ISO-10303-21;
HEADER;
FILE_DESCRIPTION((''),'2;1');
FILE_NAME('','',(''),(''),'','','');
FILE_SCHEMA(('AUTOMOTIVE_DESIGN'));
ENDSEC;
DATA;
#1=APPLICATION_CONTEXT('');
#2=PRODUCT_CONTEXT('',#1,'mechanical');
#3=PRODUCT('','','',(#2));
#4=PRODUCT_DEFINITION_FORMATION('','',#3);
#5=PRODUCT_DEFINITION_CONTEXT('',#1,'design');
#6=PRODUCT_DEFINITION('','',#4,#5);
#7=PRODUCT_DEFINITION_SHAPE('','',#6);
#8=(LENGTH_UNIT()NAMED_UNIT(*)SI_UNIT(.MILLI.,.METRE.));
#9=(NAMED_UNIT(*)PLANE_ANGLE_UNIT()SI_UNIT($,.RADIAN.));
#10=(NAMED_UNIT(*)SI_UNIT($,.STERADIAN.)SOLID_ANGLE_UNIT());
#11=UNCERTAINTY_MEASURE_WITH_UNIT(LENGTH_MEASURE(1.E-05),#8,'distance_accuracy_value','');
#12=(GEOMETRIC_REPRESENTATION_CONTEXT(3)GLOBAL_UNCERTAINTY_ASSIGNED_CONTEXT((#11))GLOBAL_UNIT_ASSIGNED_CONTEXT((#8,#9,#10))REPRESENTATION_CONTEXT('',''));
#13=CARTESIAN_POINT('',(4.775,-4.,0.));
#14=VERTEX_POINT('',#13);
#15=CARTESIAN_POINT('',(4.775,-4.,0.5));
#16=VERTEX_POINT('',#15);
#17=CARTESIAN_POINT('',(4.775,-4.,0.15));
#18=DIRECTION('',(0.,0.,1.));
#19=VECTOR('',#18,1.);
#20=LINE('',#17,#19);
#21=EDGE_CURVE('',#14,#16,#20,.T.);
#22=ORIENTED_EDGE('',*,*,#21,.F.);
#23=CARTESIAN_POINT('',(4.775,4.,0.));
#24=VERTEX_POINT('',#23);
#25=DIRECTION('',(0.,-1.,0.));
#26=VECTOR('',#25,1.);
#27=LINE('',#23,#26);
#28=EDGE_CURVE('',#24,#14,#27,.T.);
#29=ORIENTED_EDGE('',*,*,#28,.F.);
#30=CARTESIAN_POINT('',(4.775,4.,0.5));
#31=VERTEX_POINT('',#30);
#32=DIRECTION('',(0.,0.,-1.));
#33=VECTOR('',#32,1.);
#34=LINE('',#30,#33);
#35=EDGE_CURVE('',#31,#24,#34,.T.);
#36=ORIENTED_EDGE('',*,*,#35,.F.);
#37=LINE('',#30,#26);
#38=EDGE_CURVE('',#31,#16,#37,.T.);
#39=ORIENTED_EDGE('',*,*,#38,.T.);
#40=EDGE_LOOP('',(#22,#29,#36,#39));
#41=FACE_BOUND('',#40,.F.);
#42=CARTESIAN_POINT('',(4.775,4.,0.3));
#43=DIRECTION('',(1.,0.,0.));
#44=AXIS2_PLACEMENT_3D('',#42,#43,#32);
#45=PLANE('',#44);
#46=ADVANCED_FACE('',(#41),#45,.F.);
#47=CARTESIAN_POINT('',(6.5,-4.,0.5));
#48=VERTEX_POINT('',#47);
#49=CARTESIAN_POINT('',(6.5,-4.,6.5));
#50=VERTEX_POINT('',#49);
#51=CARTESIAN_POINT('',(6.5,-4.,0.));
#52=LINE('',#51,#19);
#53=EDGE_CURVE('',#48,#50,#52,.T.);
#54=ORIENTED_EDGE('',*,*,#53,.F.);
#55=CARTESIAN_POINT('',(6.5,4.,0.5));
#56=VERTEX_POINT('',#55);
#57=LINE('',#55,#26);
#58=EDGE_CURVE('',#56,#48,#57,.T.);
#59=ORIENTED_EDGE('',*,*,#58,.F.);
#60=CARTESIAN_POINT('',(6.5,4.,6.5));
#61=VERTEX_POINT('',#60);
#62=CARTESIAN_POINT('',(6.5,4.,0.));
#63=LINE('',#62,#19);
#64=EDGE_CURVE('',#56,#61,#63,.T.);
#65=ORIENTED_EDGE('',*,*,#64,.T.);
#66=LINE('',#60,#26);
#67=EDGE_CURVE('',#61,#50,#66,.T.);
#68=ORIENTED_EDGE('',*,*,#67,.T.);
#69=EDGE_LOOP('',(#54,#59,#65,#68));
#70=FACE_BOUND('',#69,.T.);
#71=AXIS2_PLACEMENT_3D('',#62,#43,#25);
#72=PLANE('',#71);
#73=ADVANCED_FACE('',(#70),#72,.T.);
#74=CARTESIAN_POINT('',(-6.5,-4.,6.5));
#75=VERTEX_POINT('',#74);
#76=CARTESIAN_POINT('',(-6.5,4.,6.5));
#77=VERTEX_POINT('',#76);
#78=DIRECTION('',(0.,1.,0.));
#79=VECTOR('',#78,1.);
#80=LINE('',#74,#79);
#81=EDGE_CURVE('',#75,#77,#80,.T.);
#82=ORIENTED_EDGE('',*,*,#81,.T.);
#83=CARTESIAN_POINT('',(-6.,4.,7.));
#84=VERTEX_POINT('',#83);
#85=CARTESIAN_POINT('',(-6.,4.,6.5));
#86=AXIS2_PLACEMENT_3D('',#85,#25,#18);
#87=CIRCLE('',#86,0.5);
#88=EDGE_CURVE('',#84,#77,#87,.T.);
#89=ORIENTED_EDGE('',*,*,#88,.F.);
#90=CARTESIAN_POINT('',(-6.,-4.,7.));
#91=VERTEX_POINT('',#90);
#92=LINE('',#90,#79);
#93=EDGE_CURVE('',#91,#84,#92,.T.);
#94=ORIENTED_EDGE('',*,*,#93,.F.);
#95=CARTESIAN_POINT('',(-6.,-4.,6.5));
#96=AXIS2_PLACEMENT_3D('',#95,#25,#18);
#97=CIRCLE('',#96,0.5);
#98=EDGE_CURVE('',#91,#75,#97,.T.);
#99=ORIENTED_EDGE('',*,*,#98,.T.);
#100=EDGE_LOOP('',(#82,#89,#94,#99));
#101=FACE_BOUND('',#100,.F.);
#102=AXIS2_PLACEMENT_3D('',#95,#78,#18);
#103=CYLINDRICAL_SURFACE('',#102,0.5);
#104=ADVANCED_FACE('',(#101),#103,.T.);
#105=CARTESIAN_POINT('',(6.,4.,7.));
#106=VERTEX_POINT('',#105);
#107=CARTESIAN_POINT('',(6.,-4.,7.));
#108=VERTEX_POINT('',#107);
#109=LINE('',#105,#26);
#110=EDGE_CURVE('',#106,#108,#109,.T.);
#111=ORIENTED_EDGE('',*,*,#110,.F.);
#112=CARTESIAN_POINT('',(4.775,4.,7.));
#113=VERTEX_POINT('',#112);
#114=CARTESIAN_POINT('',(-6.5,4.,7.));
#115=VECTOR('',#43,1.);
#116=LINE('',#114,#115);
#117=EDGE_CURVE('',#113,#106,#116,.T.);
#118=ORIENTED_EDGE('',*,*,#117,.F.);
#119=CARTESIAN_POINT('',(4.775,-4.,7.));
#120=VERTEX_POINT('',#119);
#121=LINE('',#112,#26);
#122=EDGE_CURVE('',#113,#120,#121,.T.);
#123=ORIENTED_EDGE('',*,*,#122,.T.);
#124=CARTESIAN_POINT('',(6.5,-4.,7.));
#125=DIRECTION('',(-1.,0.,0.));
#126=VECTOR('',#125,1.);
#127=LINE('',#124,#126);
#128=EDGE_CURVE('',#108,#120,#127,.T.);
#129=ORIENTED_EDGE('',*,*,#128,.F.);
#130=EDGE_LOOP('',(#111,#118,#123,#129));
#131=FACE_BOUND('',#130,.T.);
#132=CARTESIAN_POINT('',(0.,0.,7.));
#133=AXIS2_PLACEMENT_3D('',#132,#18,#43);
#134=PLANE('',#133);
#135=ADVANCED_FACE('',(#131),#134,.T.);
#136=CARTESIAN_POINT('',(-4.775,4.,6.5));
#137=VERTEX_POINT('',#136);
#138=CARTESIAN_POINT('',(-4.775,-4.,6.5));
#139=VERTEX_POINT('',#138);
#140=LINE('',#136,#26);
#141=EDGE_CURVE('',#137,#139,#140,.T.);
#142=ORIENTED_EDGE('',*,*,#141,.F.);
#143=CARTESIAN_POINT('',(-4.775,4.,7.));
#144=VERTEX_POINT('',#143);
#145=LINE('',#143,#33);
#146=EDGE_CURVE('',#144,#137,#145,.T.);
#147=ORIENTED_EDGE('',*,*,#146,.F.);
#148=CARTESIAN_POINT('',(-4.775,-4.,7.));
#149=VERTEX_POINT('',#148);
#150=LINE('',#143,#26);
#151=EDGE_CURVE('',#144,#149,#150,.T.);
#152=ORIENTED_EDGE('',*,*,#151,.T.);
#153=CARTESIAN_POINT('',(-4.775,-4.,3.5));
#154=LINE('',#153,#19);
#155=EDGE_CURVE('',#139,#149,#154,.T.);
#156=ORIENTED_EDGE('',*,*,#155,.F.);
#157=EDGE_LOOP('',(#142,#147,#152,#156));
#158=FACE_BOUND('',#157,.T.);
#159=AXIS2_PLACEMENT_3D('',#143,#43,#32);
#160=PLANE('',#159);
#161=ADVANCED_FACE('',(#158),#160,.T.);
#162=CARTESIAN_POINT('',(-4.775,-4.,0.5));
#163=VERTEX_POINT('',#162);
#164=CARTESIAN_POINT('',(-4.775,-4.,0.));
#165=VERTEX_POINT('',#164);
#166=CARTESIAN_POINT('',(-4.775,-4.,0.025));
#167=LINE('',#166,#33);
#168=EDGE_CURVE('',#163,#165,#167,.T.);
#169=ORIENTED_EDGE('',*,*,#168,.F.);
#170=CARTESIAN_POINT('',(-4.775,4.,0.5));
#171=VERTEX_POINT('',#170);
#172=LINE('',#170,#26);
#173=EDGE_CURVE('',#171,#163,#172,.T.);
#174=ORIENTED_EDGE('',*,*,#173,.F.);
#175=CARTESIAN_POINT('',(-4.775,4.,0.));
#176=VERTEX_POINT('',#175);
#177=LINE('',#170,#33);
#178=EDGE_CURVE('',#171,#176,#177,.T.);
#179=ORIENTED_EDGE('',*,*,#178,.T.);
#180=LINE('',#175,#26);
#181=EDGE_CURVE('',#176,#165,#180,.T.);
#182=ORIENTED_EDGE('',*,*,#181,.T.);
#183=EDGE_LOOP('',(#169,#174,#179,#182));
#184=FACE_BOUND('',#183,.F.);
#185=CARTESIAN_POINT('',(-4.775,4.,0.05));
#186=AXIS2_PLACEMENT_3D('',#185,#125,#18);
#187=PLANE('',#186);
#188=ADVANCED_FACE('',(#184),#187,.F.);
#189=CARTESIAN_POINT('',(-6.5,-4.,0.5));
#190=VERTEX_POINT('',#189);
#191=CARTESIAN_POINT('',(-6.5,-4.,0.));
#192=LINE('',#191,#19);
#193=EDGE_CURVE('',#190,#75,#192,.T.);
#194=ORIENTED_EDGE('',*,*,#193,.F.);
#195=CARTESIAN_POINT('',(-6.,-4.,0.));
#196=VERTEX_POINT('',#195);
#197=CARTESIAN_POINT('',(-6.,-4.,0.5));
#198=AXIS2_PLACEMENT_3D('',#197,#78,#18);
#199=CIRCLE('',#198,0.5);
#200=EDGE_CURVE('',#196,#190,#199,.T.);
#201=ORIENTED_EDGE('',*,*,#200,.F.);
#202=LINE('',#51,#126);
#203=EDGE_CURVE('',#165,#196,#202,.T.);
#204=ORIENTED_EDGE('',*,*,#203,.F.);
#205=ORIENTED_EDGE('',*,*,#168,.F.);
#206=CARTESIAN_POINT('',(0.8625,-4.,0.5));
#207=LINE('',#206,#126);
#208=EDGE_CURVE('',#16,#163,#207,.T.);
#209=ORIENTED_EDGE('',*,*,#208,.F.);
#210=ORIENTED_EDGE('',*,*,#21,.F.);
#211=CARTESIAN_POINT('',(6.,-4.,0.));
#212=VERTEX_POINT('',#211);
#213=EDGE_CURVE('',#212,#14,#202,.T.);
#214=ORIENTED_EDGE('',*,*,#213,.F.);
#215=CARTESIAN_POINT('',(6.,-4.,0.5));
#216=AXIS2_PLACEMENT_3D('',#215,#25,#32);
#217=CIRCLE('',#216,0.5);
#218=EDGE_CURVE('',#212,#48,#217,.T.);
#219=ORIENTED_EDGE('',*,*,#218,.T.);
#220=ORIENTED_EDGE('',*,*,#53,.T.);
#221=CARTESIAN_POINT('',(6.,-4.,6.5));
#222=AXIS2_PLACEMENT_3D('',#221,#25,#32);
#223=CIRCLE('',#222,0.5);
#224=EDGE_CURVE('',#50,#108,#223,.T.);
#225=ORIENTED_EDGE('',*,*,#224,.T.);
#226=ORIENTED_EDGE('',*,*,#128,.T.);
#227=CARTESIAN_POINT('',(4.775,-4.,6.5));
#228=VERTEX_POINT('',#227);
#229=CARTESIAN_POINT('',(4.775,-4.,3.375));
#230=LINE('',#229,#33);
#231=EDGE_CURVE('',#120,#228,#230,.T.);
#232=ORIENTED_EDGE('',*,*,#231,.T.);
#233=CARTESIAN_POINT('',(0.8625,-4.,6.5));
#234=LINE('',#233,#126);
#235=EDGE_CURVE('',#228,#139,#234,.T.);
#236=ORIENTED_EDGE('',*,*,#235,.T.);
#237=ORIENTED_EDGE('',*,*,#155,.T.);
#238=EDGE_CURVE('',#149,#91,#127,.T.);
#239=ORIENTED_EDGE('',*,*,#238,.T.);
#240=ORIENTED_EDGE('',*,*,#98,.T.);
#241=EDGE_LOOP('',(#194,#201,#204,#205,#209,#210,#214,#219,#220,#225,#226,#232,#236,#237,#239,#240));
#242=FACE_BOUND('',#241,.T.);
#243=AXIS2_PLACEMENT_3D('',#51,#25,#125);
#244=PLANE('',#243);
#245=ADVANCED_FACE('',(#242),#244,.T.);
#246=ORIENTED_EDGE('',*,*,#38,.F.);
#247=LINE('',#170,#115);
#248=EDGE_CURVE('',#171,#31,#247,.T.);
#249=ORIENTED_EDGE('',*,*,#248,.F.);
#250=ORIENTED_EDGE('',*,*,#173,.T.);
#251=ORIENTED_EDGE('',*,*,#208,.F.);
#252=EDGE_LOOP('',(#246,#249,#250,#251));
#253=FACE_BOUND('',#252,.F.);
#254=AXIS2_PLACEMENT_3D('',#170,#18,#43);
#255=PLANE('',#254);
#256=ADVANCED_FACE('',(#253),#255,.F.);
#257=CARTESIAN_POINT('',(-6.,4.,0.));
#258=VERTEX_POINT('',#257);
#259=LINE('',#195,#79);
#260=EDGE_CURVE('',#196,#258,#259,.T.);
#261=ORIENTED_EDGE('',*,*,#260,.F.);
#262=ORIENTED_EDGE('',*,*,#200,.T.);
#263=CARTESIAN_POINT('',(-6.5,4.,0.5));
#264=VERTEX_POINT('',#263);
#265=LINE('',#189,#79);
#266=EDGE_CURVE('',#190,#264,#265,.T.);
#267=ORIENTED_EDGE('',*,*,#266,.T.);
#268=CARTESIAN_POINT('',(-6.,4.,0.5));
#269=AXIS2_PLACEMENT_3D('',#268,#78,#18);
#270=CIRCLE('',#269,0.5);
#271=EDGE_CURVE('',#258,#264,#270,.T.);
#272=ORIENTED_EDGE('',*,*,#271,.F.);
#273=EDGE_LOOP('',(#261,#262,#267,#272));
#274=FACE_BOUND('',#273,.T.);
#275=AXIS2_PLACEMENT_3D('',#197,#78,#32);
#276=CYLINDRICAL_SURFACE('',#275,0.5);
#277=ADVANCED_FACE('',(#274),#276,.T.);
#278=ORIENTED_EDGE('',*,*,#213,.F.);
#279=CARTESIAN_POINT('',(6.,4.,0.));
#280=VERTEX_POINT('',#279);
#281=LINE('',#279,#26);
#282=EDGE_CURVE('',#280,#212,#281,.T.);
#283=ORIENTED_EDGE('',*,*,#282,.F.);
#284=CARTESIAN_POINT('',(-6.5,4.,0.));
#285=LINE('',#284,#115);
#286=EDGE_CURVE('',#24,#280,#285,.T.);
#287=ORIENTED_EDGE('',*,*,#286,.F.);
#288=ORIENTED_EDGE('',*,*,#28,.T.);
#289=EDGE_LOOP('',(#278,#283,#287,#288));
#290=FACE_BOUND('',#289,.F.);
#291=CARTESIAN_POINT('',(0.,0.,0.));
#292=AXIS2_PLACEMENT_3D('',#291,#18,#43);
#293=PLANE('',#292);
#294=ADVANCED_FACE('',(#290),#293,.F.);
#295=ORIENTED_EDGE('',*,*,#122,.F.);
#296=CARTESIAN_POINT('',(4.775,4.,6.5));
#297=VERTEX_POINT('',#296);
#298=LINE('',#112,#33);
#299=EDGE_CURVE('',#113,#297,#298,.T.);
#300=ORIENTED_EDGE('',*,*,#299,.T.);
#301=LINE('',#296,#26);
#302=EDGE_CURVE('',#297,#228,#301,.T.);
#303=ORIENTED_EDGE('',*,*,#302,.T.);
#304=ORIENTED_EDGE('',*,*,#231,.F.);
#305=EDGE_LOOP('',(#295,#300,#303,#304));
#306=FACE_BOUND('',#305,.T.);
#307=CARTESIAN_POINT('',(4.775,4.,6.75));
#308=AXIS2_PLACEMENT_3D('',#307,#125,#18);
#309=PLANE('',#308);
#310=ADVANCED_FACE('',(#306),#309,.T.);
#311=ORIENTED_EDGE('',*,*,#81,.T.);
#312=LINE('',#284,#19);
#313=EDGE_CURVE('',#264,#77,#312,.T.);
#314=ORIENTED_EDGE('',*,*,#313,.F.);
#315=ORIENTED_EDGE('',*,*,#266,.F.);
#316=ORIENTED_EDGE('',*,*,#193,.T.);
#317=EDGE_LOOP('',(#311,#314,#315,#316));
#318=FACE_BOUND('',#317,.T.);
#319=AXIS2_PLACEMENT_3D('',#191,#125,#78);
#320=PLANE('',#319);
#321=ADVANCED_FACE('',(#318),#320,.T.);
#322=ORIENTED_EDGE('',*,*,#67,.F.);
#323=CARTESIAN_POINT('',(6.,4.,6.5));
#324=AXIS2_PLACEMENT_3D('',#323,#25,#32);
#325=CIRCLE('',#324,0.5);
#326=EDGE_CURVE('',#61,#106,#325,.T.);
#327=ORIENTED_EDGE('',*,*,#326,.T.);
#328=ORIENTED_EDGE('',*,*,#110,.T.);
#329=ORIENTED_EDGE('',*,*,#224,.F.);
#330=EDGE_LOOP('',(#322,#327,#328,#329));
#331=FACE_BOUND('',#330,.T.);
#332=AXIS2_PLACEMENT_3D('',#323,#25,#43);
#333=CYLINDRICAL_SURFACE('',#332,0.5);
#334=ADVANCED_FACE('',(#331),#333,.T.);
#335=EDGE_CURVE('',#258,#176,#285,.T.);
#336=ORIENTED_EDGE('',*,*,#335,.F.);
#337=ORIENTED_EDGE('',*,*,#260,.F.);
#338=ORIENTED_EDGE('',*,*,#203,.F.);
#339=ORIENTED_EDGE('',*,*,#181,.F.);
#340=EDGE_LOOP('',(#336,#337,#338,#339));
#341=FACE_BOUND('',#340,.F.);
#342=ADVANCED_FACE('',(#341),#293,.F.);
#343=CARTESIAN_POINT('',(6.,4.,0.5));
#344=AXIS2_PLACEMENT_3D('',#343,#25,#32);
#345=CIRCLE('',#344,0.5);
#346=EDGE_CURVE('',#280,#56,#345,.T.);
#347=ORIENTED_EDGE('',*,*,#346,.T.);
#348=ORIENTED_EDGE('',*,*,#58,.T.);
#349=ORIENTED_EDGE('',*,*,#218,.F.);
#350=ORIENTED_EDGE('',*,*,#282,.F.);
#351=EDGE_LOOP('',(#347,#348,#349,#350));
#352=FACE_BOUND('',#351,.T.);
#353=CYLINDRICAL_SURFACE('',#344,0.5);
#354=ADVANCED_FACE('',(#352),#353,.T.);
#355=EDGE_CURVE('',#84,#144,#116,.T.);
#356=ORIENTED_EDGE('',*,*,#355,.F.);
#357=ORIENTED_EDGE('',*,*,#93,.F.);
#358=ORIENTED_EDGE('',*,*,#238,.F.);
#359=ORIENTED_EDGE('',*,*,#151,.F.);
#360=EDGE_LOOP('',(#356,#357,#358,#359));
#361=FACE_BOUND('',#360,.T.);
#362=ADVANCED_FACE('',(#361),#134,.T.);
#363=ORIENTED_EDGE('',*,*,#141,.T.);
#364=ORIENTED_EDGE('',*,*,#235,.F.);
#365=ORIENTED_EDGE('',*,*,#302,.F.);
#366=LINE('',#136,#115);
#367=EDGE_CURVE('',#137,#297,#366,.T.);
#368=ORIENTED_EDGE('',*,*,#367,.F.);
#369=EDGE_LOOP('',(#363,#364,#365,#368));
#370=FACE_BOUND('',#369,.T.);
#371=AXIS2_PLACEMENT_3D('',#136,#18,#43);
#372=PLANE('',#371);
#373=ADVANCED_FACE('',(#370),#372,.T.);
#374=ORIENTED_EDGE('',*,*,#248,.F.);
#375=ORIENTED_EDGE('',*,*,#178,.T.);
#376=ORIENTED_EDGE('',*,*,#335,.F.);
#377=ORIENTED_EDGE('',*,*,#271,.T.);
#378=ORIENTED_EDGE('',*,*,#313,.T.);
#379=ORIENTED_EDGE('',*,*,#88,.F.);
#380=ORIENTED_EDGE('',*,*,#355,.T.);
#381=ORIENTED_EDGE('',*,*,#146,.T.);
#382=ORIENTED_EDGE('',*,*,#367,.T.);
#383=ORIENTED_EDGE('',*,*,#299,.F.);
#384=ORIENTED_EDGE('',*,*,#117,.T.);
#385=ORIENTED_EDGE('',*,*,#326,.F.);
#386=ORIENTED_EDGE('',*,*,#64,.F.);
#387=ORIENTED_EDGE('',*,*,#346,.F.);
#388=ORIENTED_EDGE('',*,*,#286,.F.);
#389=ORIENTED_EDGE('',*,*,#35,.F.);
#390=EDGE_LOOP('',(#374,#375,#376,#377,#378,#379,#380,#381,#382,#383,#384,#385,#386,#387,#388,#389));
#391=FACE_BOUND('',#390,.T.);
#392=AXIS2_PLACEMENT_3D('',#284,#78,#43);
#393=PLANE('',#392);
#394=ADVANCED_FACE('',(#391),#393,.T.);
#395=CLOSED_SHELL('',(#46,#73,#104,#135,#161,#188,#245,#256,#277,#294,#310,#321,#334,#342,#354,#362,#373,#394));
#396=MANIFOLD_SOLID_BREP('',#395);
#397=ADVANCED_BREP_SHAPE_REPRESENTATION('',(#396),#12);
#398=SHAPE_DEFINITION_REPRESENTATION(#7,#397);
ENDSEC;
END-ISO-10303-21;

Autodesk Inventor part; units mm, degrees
ref_plane "YZ Plane" through (0, 0, 0) normal (1, 0, 0) x (0, 1, 0)
ref_plane "XZ Plane" through (0, 0, 0) normal (0, 1, 0) x (-1, 0, 0)
ref_plane "XY Plane" through (0, 0, 0) normal (0, 0, 1) x (1, 0, 0)
sketch "Sketch1" plane through (0, 0, 0) normal (0, 0, 1) x (1, 0, 0)
  line L0 (-6.5, 4) -> (6.5, 4)
  line L1 (6.5, 4) -> (6.5, -4)
  line L2 (6.5, -4) -> (-6.5, -4)
  line L3 (-6.5, -4) -> (-6.5, 4)
  point P0 (0, 0)
  point P1 (-6.5, 0)
  point P2 (0, -4)
  dimension "d0" = 8
  dimension "d1" = 13
extrude "Extrusion1" add sketch "Sketch1" along normal blind 7
sketch "Sketch2" plane through (-6.5, 4, 0) normal (0, 1, 0) x (1, 0, 0)
  line L0 (0, -7) -> (13, -7) projected
  line L1 (0, 0) -> (13, 0) projected
  line L2 (11.275, -7) -> (1.725, -7)
  line L3 (1.725, -7) -> (1.725, -6.5)
  line L4 (1.725, -6.5) -> (11.275, -6.5)
  line L5 (11.275, -6.5) -> (11.275, -7)
  line L6 (11.275, 0) -> (1.725, 0)
  line L7 (1.725, 0) -> (1.725, -0.5)
  line L8 (1.725, -0.5) -> (11.275, -0.5)
  line L9 (11.275, -0.5) -> (11.275, 0)
  line L10 (1.725, -0.05) -> (11.275, -0.05) projected
  line L11 (1.725, -0.3) -> (1.725, -0.05) projected
  line L12 (0.5, -0.3) -> (1.725, -0.3) projected
  line L13 (0, -0.8) -> (0.5, -0.3) projected
  line L14 (0, -6.2) -> (0, -0.8) projected
  line L15 (0.5, -6.7) -> (0, -6.2) projected
  line L16 (1.725, -6.7) -> (0.5, -6.7) projected
  line L17 (1.725, -6.7) -> (1.725, -6.75) projected
  line L18 (11.275, -6.75) -> (1.725, -6.75) projected
  line L19 (11.275, -6.7) -> (11.275, -6.75) projected
  line L20 (12.5, -6.7) -> (11.275, -6.7) projected
  line L21 (13, -6.2) -> (12.5, -6.7) projected
  line L22 (13, -0.8) -> (13, -6.2) projected
  line L23 (12.5, -0.3) -> (13, -0.8) projected
  line L24 (11.275, -0.3) -> (12.5, -0.3) projected
  line L25 (11.275, -0.3) -> (11.275, -0.05) projected
  point P0 (6.5, 0)
  point P1 (6.5, -7)
  point P2 (6.5, -7)
  point P3 (6.5, -0.5)
  point P4 (6.5, 0)
  dimension "d4" = 0.5
  dimension "d5" = 0.5
  dimension "d6" = 9.55
  dimension "d7" = 9.55
extrude "Extrusion2" cut sketch "Sketch2" against normal through all contours L3 L18 L5 L0 | L3 L4 L5 L18 | L7 L10 L9 L8 | L7 L1 L9 L10
fillet "Fillet1" radius 0.5 4 edges at (6.5, 0, 7) (6.5, 0, 0) (-6.5, 0, 0) (-6.5, 0, 7)
equation "\"d7\" = d6"
properties part number "SPDT Toggle Switch Base"
